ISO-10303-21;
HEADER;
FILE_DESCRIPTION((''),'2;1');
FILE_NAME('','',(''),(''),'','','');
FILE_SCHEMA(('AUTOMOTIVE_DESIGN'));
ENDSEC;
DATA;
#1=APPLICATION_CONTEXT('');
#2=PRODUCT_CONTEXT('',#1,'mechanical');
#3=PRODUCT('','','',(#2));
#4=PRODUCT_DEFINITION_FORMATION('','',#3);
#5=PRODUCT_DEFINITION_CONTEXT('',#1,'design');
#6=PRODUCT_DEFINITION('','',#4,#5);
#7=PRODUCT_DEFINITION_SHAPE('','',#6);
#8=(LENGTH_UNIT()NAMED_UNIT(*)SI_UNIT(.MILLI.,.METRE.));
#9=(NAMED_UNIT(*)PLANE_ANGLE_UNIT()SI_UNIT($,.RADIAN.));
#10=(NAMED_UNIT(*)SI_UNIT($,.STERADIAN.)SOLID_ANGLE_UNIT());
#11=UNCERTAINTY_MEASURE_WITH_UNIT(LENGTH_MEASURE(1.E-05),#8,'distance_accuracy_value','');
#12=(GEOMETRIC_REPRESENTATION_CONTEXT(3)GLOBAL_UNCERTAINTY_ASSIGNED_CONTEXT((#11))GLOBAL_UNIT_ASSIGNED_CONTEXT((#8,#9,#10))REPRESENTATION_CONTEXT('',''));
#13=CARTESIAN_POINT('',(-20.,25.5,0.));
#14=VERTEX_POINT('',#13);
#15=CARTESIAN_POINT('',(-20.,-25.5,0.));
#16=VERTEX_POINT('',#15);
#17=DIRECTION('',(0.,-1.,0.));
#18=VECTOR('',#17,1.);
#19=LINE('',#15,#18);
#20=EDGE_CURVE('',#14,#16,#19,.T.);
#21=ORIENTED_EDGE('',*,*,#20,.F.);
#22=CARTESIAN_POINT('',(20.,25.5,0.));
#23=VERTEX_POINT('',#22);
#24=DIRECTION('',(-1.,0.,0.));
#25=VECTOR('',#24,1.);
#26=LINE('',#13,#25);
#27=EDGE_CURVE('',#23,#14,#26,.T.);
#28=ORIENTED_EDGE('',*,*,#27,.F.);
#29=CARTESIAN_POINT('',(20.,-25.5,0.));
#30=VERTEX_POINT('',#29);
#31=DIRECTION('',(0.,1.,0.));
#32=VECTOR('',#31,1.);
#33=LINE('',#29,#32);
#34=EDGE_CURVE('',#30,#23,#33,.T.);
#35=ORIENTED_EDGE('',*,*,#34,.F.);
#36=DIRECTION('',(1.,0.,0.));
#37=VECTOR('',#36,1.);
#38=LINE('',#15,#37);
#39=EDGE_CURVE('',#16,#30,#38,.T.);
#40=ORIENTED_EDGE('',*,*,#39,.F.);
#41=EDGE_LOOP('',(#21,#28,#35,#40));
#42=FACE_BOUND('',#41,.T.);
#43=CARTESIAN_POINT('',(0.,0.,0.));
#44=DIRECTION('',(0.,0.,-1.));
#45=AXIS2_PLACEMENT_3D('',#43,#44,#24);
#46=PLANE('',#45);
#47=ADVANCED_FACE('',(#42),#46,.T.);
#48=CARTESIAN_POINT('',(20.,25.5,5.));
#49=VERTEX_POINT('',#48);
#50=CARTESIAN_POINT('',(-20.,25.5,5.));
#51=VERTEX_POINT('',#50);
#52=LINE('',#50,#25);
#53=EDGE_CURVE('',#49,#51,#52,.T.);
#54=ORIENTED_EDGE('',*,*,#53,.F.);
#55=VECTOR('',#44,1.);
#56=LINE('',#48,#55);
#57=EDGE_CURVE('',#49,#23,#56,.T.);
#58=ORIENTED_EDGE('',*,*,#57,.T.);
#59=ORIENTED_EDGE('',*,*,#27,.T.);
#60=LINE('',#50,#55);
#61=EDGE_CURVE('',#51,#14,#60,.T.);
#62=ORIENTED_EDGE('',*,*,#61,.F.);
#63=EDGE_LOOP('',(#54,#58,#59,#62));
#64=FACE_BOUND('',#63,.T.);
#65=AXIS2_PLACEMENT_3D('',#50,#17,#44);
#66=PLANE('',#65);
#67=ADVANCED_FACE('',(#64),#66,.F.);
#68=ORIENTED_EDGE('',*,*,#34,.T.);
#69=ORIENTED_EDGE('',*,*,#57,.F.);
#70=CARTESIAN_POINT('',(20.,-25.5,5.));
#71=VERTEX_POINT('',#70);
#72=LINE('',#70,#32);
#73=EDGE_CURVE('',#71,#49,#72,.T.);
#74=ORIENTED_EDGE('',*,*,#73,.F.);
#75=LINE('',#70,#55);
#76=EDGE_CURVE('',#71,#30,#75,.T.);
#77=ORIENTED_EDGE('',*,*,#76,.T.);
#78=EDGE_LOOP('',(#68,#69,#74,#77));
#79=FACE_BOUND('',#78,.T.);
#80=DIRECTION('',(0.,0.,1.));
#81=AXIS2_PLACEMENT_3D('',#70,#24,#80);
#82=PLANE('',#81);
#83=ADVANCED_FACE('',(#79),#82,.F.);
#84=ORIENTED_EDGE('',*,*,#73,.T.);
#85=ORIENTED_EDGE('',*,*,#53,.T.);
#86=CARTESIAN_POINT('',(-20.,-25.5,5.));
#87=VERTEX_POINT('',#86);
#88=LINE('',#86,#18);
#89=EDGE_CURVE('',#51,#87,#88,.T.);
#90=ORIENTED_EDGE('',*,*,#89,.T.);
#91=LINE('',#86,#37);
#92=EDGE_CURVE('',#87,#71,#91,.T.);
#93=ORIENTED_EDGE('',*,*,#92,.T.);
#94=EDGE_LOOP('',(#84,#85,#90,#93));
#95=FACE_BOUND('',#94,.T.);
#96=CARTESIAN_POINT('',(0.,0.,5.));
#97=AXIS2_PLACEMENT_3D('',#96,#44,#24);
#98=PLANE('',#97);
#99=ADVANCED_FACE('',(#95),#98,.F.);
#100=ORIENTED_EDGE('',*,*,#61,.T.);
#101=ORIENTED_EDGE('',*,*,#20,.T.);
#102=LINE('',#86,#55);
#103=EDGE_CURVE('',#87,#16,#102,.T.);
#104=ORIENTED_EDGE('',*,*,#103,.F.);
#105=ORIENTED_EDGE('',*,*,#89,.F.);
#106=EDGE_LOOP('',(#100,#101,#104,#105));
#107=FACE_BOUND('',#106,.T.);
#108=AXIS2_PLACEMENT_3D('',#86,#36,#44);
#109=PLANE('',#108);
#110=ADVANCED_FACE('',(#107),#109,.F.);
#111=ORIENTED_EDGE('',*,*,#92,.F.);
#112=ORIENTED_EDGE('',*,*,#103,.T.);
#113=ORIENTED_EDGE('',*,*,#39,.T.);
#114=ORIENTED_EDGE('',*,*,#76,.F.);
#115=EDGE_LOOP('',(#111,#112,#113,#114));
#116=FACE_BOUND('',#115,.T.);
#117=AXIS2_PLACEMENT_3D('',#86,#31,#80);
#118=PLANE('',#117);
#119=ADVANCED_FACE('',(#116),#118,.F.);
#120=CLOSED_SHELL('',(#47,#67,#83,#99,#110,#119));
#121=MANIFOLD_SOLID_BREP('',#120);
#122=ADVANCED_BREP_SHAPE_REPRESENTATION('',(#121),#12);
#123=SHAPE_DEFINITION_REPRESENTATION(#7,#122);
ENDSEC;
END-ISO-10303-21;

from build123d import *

# Parameters (mm, degrees)
SZKIC1_W                    = 40
SZKIC1_H                    = 51
DODANIE_WYCI_GNI_CIE1_DEPTH = 5


with BuildPart() as part:
    # Szkic1 → Dodanie-wyciągnięcie1 (new body)
    with BuildSketch(Plane.XY):
        Rectangle(SZKIC1_W, SZKIC1_H)
    extrude(amount=DODANIE_WYCI_GNI_CIE1_DEPTH)


solid = part.part
